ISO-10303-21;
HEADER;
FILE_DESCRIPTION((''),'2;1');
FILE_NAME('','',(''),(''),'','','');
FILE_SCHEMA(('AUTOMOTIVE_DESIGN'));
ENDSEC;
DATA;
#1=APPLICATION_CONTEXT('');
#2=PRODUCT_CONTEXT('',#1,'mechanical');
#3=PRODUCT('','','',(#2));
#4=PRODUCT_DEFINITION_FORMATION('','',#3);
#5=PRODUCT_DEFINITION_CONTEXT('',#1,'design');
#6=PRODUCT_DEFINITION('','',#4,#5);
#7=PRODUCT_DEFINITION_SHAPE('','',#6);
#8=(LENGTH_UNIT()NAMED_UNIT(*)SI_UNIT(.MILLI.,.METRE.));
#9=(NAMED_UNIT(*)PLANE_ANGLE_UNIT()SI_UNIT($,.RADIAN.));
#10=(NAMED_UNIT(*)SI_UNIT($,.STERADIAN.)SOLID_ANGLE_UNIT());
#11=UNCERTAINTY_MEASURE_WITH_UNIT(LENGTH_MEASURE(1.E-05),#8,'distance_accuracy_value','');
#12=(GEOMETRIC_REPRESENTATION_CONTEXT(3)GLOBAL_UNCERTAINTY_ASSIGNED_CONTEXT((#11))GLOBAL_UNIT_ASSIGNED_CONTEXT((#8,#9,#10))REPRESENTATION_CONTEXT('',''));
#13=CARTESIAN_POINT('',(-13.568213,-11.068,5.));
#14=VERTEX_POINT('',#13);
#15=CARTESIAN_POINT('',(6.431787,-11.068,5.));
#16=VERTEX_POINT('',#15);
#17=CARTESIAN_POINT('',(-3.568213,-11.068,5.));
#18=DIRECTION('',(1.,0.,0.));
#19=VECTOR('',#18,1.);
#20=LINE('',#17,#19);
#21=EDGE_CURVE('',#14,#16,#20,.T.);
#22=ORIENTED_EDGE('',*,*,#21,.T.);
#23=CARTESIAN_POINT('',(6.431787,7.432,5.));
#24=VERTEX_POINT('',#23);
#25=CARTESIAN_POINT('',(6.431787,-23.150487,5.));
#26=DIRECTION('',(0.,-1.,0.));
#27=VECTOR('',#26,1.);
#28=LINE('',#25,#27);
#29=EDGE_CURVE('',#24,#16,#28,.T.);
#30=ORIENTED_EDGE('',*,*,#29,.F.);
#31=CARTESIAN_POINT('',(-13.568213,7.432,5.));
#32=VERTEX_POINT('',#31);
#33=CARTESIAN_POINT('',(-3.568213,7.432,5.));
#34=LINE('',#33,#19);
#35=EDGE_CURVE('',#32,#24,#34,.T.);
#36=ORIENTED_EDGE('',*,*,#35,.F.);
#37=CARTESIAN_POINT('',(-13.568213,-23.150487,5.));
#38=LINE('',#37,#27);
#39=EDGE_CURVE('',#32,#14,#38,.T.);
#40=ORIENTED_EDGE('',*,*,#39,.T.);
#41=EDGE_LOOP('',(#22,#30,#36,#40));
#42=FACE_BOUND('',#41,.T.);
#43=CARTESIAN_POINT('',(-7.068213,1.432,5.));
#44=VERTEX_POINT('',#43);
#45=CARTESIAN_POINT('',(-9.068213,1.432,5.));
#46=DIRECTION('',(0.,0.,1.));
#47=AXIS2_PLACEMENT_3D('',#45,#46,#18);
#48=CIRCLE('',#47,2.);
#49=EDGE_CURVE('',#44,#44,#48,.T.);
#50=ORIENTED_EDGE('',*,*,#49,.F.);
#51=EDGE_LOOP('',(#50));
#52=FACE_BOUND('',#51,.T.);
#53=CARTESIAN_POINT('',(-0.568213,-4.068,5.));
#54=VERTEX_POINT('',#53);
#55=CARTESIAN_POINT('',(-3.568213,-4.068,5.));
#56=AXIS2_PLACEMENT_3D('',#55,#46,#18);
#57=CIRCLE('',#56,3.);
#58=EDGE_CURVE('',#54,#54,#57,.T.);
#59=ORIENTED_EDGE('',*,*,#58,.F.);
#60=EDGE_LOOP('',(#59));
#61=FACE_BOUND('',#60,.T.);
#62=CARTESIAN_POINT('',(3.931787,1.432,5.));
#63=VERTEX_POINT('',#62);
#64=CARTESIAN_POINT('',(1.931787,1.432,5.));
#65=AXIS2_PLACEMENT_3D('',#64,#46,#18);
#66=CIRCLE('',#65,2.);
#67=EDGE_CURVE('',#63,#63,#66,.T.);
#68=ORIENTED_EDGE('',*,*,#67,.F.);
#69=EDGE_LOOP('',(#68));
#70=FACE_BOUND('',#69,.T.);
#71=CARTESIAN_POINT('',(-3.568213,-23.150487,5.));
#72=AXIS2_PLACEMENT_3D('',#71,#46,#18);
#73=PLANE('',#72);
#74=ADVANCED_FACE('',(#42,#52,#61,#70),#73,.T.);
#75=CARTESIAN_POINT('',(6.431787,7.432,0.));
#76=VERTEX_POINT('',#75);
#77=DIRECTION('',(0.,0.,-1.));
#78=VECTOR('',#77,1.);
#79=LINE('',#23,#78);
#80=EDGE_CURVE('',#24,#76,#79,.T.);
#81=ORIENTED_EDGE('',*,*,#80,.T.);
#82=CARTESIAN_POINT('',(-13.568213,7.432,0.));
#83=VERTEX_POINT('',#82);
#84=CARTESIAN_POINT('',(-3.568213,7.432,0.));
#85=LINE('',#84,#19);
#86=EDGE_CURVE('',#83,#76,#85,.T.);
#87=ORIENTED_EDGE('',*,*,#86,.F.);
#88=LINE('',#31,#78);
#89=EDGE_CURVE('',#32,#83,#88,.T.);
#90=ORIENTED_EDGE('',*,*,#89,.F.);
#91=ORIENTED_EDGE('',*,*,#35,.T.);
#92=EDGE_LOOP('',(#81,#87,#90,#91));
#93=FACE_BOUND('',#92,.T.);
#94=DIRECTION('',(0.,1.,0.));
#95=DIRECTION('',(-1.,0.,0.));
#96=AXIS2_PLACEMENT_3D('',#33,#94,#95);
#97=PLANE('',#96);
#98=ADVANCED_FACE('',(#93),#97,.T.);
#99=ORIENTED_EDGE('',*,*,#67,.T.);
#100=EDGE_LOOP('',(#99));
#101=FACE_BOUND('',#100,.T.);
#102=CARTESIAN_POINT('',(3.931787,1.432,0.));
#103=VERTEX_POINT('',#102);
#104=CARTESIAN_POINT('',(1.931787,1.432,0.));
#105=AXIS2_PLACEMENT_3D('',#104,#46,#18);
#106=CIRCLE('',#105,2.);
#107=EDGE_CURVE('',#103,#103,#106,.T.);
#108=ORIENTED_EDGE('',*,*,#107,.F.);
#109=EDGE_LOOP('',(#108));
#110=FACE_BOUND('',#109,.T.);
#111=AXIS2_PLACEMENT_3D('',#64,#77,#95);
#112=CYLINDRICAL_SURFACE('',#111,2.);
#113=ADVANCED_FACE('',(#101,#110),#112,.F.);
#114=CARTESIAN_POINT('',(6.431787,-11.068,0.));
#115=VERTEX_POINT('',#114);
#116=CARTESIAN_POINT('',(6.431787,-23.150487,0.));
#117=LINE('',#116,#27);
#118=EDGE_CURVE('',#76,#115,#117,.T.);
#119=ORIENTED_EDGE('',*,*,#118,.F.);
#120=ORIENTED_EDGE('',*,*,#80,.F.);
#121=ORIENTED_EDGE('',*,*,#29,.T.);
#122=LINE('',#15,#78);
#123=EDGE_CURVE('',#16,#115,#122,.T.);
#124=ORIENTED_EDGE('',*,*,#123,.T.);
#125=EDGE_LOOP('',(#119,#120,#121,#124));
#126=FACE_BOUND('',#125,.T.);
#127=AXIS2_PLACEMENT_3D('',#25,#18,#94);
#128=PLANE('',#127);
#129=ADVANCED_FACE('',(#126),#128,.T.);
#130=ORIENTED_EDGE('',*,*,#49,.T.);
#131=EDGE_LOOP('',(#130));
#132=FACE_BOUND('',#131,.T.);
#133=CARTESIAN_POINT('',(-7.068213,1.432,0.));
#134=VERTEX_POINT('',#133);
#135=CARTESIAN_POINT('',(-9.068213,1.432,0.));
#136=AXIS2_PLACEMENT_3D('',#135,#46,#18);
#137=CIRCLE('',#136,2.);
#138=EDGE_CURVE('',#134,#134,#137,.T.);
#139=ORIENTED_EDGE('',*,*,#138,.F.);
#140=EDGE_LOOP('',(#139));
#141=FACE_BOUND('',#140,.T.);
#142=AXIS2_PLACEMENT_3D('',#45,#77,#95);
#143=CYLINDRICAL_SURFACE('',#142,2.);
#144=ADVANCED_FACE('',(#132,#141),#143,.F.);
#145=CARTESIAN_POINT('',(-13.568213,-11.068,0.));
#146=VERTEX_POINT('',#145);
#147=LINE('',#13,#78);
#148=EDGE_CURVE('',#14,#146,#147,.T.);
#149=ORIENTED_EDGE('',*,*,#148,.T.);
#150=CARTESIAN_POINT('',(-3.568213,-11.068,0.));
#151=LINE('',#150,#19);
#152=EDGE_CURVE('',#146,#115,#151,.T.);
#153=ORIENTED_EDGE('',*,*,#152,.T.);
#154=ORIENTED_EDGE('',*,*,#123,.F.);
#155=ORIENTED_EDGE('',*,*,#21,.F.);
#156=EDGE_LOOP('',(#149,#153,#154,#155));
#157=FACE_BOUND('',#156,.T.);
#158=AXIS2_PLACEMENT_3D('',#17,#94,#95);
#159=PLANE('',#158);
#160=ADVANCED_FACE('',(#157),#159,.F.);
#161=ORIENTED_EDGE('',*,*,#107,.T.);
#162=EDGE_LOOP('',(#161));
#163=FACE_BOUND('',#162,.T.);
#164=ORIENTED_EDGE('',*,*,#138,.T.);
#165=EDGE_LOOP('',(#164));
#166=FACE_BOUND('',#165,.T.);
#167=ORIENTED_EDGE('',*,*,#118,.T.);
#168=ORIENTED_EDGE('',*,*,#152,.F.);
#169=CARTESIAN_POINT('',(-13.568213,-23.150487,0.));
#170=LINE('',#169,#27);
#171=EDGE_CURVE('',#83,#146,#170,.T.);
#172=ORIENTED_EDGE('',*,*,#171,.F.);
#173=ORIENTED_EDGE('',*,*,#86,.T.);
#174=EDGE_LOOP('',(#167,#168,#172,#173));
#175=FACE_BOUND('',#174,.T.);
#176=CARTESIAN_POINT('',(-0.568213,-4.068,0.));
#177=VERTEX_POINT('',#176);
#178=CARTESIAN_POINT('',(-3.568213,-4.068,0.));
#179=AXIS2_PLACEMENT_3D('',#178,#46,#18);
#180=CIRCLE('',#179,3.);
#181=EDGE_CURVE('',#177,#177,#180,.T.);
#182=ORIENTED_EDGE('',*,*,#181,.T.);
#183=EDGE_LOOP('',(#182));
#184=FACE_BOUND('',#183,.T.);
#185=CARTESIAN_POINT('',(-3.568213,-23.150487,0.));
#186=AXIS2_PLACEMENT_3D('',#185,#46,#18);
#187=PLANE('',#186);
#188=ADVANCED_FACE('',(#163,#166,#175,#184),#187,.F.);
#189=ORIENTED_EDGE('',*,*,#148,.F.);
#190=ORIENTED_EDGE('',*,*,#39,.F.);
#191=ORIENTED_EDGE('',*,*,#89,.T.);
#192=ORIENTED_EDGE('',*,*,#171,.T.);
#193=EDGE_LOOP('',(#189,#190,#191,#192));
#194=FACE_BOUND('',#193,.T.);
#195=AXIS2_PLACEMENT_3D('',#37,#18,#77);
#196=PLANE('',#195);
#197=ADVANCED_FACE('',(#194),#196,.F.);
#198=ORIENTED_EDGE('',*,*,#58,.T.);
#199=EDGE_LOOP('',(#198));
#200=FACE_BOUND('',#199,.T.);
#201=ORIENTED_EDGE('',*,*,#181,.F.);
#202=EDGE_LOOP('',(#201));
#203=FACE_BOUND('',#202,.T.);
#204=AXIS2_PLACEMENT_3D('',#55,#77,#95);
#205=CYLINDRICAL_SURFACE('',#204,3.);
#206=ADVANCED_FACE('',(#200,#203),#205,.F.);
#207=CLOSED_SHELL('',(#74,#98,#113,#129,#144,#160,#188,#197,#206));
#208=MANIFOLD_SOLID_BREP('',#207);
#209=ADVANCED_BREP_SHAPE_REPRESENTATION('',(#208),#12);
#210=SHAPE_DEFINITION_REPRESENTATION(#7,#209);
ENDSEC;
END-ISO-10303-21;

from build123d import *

# Parameters (mm, degrees)
ESQUISSE1_W      = 20
ESQUISSE1_H      = 18.5
ESQUISSE1_R      = 3
ESQUISSE1_R_2    = 2
EXTRUSION1_DEPTH = 5


with BuildPart() as part:
    # Esquisse1 → Extrusion1 (new body)
    with BuildSketch(Plane.XY):
        with Locations((-3.568212696, -1.818)):
            Rectangle(ESQUISSE1_W, ESQUISSE1_H)
        with Locations((-3.568212696, -4.068)):
            Circle(ESQUISSE1_R, mode=Mode.SUBTRACT)
        with Locations((-9.068212696, 1.432)):
            Circle(ESQUISSE1_R_2, mode=Mode.SUBTRACT)
        with Locations((1.931787304, 1.432)):
            Circle(ESQUISSE1_R_2, mode=Mode.SUBTRACT)
    extrude(amount=EXTRUSION1_DEPTH)


solid = part.part
